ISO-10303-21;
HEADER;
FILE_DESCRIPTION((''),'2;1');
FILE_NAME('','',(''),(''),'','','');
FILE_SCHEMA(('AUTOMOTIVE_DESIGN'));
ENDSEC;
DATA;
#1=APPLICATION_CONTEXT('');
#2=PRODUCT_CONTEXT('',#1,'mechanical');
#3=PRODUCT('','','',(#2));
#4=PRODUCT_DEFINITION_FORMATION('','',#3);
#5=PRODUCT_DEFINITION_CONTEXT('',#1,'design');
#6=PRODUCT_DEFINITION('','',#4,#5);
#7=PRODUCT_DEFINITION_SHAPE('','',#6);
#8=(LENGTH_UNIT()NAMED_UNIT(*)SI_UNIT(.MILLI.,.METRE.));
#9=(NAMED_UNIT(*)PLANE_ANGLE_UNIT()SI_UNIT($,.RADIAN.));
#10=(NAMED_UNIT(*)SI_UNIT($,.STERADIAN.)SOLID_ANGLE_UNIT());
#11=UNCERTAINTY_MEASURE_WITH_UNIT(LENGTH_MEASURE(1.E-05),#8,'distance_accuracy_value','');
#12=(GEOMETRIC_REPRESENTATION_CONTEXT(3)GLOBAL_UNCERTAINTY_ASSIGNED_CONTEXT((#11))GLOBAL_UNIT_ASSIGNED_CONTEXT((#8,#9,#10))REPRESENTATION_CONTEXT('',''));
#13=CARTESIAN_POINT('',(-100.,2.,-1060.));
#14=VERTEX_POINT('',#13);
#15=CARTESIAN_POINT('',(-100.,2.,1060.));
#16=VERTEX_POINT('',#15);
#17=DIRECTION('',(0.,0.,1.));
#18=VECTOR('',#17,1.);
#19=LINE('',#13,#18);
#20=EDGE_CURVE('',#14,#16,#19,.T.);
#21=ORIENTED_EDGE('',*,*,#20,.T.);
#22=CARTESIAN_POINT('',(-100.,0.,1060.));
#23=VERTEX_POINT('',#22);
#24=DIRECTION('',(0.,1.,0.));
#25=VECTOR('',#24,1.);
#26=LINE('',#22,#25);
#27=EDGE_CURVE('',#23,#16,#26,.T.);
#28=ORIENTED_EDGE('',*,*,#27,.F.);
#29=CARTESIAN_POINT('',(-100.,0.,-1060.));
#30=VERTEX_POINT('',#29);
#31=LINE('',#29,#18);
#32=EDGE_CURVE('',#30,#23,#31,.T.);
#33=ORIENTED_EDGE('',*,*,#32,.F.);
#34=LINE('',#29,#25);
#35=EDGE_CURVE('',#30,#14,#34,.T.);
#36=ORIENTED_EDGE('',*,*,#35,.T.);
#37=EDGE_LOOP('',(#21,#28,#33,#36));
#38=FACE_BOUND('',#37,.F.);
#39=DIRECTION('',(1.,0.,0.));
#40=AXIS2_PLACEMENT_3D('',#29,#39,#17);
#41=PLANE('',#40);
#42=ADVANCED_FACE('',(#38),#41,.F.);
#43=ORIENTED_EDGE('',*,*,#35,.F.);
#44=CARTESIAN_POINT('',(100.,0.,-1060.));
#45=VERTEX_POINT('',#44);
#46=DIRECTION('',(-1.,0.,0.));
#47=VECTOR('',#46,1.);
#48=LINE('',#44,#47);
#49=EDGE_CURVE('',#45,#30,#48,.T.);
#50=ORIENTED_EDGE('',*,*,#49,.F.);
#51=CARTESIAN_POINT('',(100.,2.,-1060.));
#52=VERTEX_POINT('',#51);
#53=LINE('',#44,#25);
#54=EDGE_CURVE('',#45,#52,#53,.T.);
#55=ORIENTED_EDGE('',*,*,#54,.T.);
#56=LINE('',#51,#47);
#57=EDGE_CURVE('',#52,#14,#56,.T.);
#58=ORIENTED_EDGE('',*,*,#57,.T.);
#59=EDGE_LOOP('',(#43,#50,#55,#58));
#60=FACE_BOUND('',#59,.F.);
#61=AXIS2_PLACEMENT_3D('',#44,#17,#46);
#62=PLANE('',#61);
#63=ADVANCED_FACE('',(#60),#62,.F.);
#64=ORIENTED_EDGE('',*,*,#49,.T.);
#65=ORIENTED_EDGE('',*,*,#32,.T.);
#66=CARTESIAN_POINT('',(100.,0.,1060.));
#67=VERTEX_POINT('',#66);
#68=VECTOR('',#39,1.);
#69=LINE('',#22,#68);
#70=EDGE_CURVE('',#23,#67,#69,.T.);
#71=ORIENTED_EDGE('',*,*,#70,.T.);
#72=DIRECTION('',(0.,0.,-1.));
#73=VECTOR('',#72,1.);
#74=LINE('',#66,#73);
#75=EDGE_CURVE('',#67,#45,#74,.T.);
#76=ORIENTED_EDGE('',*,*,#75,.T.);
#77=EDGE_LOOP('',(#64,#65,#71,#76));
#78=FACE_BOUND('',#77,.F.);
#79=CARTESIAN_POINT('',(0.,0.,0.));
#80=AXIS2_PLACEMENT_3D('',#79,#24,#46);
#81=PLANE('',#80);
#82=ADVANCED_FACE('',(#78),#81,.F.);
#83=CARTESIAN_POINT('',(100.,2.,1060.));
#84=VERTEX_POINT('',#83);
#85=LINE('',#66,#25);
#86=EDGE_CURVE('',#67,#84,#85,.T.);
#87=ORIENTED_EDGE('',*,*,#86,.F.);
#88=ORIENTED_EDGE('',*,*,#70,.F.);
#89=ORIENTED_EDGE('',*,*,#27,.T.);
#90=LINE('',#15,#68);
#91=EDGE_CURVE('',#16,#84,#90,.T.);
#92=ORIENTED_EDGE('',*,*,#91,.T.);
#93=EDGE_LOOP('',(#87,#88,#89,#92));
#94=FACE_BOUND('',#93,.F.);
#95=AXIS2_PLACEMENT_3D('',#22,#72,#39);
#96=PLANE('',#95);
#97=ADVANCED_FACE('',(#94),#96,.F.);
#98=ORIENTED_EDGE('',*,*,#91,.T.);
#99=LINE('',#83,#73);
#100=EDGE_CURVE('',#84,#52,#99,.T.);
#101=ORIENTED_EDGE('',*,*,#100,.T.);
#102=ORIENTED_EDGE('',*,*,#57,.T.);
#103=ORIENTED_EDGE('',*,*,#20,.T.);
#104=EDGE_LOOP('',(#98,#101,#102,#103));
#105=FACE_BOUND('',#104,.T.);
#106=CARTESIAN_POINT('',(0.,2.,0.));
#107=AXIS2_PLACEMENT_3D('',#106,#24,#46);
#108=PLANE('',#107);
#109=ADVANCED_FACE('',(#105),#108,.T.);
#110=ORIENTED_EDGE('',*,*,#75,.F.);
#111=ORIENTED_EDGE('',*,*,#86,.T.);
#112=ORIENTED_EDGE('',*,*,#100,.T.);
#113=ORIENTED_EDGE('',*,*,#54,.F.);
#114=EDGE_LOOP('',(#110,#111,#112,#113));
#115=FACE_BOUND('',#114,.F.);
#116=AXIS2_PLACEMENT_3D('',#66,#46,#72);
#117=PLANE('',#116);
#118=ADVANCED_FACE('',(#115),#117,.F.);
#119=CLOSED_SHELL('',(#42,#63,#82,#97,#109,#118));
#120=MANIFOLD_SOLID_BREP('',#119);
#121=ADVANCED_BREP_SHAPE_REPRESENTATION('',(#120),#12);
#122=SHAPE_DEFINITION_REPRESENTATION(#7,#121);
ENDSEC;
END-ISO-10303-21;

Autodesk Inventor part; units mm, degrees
ref_plane "YZ Plane" through (0, 0, 0) normal (1, 0, 0) x (0, 1, 0)
ref_plane "XZ Plane" through (0, 0, 0) normal (0, 1, 0) x (-1, 0, 0)
ref_plane "XY Plane" through (0, 0, 0) normal (0, 0, 1) x (1, 0, 0)
sketch "Sketch1" plane through (0, 0, 0) normal (0, 1, 0) x (-1, 0, 0)
  line L0 (100, 1060) -> (-100, 1060)
  line L1 (-100, 1060) -> (-100, -1060)
  line L2 (-100, -1060) -> (100, -1060)
  line L3 (100, -1060) -> (100, 1060)
  line L4 (100, 1060) -> (-100, -1060) construction
  point P0 (0, 0)
  point P1 (0, 0)
  dimension "d0" = 200
  dimension "d1" = 2120
extrude "Plate1" add sketch "Sketch1" along normal blind 2
equation "\"d2\" = Thickness"
equation "\"BendReliefWidth\" = Thickness"
equation "\"BendReliefDepth\" = 0.5 * Thickness"
equation "\"CornerReliefSize\" = 4 * Thickness"
equation "\"MinimumRemnant\" = 2 * Thickness"
equation "\"TransitionRadius\" = BendRadius"
equation "\"JacobiRadiusSize\" = BendRadius"
equation "\"GapSize\" = Thickness"
equation "\"Thickness\" = 2"
equation "\"BendRadius\" = 2.75"
properties part number "ASY Рама №3 платформа1" material "Stainless Steel"
